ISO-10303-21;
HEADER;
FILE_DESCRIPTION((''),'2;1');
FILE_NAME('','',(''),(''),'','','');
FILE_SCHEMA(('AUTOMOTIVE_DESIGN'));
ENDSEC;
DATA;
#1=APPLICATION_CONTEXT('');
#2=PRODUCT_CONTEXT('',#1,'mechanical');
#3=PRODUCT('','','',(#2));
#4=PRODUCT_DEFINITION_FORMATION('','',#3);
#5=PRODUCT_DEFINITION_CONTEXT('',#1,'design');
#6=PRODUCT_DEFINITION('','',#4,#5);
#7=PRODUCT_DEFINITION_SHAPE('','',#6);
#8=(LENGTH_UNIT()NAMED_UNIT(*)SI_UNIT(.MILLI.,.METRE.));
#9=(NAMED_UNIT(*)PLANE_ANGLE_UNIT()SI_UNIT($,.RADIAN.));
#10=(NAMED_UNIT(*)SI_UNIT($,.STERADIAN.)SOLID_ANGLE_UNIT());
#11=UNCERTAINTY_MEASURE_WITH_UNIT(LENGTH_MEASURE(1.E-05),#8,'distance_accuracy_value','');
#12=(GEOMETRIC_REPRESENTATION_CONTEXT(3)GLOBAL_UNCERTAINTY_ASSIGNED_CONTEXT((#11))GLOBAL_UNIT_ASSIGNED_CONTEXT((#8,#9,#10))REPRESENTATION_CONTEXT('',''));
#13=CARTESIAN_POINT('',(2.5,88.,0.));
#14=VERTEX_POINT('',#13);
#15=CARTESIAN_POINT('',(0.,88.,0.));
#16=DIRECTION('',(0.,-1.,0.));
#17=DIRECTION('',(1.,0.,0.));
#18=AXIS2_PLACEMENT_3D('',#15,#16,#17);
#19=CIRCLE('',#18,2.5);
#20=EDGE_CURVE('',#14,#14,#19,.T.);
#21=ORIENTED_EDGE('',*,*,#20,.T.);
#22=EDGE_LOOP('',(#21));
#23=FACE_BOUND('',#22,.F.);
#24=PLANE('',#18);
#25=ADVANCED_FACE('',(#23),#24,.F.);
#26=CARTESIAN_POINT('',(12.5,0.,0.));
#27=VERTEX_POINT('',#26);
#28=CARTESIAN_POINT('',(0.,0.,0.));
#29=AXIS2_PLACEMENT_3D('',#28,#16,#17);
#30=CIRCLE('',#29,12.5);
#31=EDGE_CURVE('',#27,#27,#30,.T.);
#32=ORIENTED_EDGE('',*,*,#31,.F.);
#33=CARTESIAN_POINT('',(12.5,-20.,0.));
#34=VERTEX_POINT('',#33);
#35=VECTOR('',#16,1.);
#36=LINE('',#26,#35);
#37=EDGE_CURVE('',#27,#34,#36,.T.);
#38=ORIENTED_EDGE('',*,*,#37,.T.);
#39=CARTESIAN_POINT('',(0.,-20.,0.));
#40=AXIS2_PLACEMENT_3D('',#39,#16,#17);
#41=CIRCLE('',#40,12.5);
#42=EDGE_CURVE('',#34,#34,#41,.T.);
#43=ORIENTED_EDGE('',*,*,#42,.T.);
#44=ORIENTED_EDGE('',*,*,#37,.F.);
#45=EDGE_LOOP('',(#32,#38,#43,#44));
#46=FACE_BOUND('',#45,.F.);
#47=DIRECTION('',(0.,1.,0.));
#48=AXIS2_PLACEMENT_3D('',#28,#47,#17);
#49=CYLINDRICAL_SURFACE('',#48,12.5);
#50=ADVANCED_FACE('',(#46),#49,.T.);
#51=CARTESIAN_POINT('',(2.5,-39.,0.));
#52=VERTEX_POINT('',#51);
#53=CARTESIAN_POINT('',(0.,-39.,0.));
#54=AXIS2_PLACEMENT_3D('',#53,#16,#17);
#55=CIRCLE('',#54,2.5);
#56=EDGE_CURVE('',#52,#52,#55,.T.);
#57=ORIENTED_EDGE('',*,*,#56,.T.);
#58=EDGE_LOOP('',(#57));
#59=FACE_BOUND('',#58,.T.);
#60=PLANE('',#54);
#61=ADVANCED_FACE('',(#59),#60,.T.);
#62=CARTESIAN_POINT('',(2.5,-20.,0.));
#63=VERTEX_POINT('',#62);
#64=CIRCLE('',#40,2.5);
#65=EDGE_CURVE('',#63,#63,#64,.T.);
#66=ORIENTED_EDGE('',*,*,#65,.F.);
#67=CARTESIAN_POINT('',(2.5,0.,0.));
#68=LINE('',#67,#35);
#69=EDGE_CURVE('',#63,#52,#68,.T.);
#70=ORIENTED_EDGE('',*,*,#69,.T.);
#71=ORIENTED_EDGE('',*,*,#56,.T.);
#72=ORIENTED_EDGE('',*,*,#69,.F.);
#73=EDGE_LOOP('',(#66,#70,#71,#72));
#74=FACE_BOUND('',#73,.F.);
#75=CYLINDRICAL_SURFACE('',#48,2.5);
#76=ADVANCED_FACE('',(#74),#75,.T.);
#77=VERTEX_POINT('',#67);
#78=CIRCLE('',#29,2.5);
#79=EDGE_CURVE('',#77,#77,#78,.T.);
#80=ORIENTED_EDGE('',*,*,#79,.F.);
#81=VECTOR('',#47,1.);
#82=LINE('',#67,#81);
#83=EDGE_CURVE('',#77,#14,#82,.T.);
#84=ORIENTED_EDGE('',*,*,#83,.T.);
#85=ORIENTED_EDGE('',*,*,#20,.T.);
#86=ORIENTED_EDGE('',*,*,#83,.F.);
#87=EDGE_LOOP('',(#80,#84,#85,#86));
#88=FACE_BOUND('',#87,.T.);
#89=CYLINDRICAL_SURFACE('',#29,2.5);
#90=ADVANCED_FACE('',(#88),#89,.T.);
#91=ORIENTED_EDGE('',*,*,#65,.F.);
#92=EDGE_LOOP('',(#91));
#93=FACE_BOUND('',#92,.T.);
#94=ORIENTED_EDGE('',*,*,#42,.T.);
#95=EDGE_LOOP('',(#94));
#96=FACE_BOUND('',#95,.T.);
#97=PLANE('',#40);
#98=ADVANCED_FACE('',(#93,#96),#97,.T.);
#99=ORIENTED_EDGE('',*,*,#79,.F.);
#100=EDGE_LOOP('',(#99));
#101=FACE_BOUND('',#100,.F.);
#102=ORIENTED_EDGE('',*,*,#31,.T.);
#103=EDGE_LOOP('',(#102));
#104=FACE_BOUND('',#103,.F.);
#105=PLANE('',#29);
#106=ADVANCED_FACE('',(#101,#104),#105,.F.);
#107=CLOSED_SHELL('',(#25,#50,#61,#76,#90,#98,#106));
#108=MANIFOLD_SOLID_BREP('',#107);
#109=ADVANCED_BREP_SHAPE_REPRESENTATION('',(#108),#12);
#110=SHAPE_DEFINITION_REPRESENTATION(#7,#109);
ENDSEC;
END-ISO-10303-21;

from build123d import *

# Parameters (mm, degrees)
F0_R     = 2.5
F1_DEPTH = 39
F0_R_2   = 12.5
F2_DEPTH = 20
F3_DEPTH = 88


with BuildPart() as f1:
    # F0 (on Front) → F1 (new body)
    with BuildSketch(Plane.XZ):
        Circle(F0_R)
    extrude(amount=F1_DEPTH)

    # F0 (on Front) → F2 (join)
    with BuildSketch(Plane.XZ):
        Circle(F0_R_2)
        Circle(F0_R, mode=Mode.SUBTRACT)
    extrude(amount=F2_DEPTH)

    # F0 (on Front) → F3 (join)
    with BuildSketch(Plane.XZ):
        Circle(F0_R)
    extrude(amount=-F3_DEPTH)


solid = f1.part
